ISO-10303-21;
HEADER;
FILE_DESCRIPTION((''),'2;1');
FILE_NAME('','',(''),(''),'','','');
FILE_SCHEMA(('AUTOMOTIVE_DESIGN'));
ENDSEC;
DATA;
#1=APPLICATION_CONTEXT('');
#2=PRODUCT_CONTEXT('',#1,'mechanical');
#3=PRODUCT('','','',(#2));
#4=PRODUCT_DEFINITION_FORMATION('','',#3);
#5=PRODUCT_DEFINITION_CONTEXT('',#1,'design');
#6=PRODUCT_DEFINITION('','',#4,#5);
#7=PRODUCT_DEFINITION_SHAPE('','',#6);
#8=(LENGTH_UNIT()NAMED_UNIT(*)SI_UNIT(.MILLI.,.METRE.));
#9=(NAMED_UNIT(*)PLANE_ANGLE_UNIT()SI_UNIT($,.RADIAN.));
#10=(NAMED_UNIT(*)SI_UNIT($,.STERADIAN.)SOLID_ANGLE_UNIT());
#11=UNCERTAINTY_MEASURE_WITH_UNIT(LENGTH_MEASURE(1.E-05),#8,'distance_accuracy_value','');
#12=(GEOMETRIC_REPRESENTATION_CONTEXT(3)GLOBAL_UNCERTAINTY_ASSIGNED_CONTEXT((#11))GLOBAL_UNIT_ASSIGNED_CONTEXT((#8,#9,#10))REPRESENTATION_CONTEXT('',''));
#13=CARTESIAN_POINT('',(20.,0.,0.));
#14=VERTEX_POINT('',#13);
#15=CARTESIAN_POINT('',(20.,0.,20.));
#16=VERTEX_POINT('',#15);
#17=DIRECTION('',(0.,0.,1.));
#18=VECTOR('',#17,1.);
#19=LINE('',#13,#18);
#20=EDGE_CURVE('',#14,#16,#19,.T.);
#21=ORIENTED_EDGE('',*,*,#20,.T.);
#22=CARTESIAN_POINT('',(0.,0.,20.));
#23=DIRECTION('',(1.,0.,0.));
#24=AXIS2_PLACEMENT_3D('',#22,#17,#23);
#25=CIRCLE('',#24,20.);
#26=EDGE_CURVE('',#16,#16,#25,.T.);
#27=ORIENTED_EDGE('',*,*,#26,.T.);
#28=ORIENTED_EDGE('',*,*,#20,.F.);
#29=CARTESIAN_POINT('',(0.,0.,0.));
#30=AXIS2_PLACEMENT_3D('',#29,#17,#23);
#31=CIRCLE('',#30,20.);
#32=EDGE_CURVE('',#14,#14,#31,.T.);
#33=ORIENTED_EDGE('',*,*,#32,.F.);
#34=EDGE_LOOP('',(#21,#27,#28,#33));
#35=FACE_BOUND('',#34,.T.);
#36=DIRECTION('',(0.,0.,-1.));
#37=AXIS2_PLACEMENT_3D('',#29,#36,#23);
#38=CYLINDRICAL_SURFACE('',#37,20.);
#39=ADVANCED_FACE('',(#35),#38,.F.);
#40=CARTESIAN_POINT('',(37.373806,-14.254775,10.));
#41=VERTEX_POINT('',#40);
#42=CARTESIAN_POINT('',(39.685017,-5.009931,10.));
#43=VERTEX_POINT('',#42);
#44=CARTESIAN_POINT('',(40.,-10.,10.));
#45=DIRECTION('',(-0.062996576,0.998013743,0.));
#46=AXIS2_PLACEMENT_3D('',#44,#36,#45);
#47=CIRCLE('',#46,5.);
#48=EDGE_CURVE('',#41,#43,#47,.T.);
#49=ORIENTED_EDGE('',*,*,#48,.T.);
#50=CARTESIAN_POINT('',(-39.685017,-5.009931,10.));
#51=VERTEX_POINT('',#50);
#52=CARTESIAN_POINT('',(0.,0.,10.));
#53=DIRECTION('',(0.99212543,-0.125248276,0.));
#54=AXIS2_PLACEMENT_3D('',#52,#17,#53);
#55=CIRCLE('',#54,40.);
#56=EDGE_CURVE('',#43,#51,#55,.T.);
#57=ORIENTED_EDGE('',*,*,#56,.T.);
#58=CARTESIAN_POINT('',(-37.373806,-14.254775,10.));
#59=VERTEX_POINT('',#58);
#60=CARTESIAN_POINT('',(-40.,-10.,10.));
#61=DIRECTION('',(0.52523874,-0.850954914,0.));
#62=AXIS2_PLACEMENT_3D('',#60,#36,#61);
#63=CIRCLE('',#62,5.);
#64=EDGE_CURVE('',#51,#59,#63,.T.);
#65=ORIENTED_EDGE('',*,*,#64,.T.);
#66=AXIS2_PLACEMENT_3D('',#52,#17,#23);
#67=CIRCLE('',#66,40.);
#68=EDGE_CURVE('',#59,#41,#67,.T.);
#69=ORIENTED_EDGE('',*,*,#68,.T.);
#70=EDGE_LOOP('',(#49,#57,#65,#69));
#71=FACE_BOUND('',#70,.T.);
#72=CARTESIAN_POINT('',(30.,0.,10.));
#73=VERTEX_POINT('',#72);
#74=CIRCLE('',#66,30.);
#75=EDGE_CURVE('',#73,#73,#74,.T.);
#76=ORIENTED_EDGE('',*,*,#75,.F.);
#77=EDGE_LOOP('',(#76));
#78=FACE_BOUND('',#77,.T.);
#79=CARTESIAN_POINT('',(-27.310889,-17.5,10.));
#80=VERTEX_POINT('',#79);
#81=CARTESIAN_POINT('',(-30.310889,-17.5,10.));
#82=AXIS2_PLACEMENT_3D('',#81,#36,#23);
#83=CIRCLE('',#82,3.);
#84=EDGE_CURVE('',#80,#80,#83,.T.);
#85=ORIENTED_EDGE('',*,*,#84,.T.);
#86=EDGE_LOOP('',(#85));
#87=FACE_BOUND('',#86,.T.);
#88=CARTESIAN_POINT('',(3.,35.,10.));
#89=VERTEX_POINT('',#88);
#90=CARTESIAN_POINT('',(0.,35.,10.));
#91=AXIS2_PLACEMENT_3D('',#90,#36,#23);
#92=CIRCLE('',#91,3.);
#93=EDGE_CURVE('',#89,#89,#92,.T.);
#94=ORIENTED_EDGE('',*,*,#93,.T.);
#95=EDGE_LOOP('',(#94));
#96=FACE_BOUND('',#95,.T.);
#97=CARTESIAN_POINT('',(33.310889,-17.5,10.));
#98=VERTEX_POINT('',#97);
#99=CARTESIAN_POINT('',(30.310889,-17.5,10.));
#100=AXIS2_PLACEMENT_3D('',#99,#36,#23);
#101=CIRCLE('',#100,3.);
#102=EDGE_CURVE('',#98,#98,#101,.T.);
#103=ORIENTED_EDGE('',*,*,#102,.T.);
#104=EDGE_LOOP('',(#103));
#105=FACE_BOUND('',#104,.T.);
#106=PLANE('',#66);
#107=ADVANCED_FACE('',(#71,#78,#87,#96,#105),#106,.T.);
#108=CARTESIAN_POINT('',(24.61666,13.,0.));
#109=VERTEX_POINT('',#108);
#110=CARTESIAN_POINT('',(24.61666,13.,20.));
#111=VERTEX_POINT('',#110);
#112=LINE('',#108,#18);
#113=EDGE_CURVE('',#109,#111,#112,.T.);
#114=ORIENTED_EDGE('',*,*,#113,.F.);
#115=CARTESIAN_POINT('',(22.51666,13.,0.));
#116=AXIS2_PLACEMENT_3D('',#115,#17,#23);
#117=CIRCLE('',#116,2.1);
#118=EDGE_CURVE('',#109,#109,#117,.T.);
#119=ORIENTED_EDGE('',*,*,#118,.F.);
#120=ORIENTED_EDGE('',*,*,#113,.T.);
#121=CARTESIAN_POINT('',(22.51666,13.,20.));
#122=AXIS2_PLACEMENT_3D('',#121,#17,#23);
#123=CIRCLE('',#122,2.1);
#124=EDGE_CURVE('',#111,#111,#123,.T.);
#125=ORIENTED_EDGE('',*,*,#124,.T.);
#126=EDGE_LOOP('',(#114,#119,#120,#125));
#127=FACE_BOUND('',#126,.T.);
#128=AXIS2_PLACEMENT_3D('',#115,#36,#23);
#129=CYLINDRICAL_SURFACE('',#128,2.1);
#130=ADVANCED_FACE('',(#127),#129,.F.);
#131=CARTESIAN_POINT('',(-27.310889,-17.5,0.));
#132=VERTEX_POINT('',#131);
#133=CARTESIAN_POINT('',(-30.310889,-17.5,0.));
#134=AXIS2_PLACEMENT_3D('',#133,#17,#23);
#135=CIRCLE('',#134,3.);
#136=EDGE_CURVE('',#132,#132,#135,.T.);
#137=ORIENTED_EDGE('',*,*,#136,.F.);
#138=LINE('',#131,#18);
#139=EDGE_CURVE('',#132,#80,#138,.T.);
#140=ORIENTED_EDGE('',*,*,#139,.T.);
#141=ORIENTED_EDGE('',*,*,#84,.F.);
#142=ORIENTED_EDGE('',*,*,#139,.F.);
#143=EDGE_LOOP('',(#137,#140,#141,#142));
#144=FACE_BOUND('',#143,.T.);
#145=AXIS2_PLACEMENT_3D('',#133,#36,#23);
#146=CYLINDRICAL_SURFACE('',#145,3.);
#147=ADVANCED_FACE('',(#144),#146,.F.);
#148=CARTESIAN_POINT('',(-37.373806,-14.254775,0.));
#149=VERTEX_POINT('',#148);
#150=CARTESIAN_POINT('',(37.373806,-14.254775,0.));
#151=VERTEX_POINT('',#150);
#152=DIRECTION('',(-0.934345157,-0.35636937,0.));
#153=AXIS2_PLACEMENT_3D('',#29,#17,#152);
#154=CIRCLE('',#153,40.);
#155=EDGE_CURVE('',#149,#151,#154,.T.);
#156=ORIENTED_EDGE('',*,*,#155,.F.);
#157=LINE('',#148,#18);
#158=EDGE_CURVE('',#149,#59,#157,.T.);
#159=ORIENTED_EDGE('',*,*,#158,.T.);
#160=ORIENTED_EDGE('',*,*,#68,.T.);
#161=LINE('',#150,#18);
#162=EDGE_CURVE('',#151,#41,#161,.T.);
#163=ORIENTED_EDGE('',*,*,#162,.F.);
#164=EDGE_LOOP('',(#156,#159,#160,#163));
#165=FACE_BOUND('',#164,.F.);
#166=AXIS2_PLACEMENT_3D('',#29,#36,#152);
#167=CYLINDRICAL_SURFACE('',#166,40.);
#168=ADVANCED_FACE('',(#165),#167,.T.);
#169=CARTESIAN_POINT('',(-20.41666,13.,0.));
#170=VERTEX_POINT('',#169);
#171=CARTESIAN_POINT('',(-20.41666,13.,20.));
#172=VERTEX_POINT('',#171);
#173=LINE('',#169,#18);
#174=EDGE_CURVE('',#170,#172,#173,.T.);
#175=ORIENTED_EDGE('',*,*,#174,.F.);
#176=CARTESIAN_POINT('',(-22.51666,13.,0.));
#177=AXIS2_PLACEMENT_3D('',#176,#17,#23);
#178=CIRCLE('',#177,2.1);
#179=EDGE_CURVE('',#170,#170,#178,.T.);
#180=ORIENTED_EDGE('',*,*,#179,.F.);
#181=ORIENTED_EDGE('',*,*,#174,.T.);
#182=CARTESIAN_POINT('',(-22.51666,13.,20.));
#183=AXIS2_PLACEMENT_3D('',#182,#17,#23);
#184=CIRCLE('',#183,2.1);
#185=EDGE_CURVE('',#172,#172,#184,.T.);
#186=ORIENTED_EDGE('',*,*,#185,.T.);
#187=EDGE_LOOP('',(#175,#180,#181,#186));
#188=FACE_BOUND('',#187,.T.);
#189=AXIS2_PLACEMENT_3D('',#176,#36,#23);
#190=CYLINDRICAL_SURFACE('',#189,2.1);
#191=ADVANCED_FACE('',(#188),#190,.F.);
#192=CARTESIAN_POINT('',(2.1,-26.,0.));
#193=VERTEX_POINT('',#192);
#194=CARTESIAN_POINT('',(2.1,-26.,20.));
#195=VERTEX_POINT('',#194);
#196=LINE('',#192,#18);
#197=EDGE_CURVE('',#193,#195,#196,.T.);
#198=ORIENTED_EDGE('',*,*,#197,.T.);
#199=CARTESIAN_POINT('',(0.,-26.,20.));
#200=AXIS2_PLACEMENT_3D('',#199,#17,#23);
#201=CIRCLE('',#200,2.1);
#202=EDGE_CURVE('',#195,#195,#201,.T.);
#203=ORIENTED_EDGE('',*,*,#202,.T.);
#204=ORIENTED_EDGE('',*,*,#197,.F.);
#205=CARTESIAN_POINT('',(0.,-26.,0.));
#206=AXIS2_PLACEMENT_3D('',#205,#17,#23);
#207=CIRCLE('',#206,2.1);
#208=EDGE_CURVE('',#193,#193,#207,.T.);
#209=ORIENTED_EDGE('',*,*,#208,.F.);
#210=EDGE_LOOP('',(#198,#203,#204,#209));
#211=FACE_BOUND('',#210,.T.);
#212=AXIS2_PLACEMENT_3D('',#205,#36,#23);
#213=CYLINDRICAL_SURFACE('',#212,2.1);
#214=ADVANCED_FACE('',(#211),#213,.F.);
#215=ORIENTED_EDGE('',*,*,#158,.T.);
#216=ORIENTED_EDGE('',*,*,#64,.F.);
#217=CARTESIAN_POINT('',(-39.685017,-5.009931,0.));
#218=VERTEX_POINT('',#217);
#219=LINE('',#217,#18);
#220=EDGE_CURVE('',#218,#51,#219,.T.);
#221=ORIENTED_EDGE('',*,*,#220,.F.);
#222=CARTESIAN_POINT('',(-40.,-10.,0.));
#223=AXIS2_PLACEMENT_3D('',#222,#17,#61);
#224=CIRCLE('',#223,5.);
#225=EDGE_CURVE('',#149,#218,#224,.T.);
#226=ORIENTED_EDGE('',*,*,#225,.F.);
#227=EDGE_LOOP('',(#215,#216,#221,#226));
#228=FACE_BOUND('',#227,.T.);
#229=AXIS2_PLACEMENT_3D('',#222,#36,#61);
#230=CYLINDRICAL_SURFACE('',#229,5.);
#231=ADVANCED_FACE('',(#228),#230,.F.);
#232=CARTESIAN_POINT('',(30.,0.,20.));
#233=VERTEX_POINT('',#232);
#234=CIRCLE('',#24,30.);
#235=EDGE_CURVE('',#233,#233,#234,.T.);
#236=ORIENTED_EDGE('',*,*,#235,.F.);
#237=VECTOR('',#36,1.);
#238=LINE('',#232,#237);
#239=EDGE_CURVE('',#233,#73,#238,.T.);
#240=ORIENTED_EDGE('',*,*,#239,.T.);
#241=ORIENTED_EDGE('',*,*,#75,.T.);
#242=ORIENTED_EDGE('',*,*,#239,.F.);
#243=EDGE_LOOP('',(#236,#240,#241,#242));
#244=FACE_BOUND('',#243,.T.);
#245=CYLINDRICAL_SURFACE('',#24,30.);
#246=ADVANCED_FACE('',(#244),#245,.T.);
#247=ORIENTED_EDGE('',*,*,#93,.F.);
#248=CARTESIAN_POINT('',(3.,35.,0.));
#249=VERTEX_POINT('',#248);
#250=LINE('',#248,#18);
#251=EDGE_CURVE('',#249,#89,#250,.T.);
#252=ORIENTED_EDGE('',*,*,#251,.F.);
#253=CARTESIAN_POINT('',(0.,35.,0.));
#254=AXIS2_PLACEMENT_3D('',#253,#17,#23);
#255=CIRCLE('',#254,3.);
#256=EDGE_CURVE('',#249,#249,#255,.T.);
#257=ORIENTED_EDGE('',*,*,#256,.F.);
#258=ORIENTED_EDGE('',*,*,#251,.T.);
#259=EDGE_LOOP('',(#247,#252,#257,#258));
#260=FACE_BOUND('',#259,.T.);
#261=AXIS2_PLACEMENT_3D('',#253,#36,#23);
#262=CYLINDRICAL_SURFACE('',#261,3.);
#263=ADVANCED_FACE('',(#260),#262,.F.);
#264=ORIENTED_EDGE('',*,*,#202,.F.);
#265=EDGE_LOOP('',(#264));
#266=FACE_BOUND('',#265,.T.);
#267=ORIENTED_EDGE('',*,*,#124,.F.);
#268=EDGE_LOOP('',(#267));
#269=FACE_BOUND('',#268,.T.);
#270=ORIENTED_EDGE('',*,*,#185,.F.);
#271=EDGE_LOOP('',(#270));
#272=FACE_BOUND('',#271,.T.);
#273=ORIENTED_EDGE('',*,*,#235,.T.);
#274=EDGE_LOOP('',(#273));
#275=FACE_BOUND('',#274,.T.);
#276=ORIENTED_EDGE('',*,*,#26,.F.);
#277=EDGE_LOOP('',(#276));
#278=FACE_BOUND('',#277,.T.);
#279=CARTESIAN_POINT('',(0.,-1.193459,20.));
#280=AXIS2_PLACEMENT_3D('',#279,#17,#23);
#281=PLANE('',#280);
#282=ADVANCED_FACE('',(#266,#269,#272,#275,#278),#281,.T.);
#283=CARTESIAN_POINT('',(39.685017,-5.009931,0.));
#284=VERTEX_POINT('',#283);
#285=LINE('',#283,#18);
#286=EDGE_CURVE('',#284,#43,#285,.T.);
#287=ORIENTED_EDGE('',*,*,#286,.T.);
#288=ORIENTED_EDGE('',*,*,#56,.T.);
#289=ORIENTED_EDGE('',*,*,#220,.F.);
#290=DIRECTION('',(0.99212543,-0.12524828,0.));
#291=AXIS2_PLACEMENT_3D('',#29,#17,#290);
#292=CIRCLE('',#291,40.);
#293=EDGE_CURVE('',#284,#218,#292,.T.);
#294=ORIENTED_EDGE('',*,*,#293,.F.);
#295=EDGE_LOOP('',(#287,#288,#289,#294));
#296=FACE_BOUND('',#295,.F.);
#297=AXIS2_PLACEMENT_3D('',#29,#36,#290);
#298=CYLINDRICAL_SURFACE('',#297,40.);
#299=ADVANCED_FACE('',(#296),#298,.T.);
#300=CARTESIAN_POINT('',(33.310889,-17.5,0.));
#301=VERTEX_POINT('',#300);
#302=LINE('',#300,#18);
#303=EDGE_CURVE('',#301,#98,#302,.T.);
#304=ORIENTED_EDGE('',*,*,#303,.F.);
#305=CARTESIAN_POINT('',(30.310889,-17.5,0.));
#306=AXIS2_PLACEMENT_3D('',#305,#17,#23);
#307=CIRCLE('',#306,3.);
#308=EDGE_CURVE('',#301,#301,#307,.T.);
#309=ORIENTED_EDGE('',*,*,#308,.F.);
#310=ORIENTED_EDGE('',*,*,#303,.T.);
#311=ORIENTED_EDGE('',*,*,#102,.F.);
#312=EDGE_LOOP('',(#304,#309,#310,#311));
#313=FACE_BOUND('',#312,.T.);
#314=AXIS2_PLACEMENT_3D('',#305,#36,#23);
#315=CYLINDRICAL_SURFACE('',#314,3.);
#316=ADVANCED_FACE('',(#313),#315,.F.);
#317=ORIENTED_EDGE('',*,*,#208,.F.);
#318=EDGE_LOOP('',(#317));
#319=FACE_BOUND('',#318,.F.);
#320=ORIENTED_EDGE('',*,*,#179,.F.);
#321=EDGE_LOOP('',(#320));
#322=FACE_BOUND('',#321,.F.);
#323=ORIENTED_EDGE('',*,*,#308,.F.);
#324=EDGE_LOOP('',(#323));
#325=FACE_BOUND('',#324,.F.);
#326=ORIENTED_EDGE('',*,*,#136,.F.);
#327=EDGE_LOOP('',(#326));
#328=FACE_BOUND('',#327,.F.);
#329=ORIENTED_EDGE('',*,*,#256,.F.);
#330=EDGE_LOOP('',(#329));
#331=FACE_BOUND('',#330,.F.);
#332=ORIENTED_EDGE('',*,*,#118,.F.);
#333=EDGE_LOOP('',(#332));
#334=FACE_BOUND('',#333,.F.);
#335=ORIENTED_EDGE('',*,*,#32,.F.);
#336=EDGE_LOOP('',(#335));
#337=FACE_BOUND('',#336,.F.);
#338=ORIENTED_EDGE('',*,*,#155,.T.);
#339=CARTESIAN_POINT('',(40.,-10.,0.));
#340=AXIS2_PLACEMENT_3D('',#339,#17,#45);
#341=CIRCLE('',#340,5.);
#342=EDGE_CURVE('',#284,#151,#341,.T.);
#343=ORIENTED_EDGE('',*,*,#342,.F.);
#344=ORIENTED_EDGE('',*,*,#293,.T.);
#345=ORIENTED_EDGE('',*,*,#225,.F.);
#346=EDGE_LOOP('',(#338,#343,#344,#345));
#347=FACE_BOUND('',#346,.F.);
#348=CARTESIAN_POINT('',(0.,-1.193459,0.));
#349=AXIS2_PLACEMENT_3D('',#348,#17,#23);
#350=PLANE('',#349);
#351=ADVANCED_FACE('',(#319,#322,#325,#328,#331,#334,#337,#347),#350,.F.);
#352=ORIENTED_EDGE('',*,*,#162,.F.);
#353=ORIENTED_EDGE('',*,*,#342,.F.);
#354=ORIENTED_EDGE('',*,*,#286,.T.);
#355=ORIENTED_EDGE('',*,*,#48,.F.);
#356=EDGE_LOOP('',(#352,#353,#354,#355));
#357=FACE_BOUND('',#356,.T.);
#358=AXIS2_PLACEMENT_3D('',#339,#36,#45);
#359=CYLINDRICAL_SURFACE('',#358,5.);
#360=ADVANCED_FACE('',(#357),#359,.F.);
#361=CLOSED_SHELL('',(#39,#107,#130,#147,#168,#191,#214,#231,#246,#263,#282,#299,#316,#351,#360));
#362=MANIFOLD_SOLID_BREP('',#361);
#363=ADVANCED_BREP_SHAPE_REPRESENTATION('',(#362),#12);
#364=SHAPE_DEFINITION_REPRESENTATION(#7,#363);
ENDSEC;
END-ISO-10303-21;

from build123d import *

# Parameters (mm, degrees)
SKETCH_R      = 3
SKETCH_R_2    = 2.1
SKETCH_R_3    = 20
PAD_DEPTH     = 20
SKETCH001_R   = 40
SKETCH001_R_2 = 30
POCKET_DEPTH  = 10


with BuildPart() as part:
    # Sketch → Pad (new body)
    with BuildSketch(Plane.XY):
        with BuildLine():
            ThreePointArc((-37.373806, -14.254775), (0, -40), (37.373806, -14.254775))
            ThreePointArc((39.685017, -5.009931), (35.149287, -8.787322), (37.373806, -14.254775))
            ThreePointArc((39.685017, -5.009931), (0, 40), (-39.685017, -5.009931))
            ThreePointArc((-37.373806, -14.254775), (-35.149287, -8.787322), (-39.685017, -5.009931))
        make_face()
        with Locations((0, 35)):
            Circle(SKETCH_R, mode=Mode.SUBTRACT)
        with Locations((-30.310889, -17.5)):
            Circle(SKETCH_R, mode=Mode.SUBTRACT)
        with Locations((30.310889, -17.5)):
            Circle(SKETCH_R, mode=Mode.SUBTRACT)
        with Locations((-22.51666, 13)):
            Circle(SKETCH_R_2, mode=Mode.SUBTRACT)
        with Locations((22.51666, 13)):
            Circle(SKETCH_R_2, mode=Mode.SUBTRACT)
        with Locations((0, -26)):
            Circle(SKETCH_R_2, mode=Mode.SUBTRACT)
        Circle(SKETCH_R_3, mode=Mode.SUBTRACT)
    extrude(amount=PAD_DEPTH)

    # Sketch001 (on Face13 of Pad) → Pocket (cut)
    with BuildSketch(Plane.XY.offset(20)):
        Circle(SKETCH001_R)
        Circle(SKETCH001_R_2, mode=Mode.SUBTRACT)
    extrude(amount=-POCKET_DEPTH, mode=Mode.SUBTRACT)


solid = part.part
